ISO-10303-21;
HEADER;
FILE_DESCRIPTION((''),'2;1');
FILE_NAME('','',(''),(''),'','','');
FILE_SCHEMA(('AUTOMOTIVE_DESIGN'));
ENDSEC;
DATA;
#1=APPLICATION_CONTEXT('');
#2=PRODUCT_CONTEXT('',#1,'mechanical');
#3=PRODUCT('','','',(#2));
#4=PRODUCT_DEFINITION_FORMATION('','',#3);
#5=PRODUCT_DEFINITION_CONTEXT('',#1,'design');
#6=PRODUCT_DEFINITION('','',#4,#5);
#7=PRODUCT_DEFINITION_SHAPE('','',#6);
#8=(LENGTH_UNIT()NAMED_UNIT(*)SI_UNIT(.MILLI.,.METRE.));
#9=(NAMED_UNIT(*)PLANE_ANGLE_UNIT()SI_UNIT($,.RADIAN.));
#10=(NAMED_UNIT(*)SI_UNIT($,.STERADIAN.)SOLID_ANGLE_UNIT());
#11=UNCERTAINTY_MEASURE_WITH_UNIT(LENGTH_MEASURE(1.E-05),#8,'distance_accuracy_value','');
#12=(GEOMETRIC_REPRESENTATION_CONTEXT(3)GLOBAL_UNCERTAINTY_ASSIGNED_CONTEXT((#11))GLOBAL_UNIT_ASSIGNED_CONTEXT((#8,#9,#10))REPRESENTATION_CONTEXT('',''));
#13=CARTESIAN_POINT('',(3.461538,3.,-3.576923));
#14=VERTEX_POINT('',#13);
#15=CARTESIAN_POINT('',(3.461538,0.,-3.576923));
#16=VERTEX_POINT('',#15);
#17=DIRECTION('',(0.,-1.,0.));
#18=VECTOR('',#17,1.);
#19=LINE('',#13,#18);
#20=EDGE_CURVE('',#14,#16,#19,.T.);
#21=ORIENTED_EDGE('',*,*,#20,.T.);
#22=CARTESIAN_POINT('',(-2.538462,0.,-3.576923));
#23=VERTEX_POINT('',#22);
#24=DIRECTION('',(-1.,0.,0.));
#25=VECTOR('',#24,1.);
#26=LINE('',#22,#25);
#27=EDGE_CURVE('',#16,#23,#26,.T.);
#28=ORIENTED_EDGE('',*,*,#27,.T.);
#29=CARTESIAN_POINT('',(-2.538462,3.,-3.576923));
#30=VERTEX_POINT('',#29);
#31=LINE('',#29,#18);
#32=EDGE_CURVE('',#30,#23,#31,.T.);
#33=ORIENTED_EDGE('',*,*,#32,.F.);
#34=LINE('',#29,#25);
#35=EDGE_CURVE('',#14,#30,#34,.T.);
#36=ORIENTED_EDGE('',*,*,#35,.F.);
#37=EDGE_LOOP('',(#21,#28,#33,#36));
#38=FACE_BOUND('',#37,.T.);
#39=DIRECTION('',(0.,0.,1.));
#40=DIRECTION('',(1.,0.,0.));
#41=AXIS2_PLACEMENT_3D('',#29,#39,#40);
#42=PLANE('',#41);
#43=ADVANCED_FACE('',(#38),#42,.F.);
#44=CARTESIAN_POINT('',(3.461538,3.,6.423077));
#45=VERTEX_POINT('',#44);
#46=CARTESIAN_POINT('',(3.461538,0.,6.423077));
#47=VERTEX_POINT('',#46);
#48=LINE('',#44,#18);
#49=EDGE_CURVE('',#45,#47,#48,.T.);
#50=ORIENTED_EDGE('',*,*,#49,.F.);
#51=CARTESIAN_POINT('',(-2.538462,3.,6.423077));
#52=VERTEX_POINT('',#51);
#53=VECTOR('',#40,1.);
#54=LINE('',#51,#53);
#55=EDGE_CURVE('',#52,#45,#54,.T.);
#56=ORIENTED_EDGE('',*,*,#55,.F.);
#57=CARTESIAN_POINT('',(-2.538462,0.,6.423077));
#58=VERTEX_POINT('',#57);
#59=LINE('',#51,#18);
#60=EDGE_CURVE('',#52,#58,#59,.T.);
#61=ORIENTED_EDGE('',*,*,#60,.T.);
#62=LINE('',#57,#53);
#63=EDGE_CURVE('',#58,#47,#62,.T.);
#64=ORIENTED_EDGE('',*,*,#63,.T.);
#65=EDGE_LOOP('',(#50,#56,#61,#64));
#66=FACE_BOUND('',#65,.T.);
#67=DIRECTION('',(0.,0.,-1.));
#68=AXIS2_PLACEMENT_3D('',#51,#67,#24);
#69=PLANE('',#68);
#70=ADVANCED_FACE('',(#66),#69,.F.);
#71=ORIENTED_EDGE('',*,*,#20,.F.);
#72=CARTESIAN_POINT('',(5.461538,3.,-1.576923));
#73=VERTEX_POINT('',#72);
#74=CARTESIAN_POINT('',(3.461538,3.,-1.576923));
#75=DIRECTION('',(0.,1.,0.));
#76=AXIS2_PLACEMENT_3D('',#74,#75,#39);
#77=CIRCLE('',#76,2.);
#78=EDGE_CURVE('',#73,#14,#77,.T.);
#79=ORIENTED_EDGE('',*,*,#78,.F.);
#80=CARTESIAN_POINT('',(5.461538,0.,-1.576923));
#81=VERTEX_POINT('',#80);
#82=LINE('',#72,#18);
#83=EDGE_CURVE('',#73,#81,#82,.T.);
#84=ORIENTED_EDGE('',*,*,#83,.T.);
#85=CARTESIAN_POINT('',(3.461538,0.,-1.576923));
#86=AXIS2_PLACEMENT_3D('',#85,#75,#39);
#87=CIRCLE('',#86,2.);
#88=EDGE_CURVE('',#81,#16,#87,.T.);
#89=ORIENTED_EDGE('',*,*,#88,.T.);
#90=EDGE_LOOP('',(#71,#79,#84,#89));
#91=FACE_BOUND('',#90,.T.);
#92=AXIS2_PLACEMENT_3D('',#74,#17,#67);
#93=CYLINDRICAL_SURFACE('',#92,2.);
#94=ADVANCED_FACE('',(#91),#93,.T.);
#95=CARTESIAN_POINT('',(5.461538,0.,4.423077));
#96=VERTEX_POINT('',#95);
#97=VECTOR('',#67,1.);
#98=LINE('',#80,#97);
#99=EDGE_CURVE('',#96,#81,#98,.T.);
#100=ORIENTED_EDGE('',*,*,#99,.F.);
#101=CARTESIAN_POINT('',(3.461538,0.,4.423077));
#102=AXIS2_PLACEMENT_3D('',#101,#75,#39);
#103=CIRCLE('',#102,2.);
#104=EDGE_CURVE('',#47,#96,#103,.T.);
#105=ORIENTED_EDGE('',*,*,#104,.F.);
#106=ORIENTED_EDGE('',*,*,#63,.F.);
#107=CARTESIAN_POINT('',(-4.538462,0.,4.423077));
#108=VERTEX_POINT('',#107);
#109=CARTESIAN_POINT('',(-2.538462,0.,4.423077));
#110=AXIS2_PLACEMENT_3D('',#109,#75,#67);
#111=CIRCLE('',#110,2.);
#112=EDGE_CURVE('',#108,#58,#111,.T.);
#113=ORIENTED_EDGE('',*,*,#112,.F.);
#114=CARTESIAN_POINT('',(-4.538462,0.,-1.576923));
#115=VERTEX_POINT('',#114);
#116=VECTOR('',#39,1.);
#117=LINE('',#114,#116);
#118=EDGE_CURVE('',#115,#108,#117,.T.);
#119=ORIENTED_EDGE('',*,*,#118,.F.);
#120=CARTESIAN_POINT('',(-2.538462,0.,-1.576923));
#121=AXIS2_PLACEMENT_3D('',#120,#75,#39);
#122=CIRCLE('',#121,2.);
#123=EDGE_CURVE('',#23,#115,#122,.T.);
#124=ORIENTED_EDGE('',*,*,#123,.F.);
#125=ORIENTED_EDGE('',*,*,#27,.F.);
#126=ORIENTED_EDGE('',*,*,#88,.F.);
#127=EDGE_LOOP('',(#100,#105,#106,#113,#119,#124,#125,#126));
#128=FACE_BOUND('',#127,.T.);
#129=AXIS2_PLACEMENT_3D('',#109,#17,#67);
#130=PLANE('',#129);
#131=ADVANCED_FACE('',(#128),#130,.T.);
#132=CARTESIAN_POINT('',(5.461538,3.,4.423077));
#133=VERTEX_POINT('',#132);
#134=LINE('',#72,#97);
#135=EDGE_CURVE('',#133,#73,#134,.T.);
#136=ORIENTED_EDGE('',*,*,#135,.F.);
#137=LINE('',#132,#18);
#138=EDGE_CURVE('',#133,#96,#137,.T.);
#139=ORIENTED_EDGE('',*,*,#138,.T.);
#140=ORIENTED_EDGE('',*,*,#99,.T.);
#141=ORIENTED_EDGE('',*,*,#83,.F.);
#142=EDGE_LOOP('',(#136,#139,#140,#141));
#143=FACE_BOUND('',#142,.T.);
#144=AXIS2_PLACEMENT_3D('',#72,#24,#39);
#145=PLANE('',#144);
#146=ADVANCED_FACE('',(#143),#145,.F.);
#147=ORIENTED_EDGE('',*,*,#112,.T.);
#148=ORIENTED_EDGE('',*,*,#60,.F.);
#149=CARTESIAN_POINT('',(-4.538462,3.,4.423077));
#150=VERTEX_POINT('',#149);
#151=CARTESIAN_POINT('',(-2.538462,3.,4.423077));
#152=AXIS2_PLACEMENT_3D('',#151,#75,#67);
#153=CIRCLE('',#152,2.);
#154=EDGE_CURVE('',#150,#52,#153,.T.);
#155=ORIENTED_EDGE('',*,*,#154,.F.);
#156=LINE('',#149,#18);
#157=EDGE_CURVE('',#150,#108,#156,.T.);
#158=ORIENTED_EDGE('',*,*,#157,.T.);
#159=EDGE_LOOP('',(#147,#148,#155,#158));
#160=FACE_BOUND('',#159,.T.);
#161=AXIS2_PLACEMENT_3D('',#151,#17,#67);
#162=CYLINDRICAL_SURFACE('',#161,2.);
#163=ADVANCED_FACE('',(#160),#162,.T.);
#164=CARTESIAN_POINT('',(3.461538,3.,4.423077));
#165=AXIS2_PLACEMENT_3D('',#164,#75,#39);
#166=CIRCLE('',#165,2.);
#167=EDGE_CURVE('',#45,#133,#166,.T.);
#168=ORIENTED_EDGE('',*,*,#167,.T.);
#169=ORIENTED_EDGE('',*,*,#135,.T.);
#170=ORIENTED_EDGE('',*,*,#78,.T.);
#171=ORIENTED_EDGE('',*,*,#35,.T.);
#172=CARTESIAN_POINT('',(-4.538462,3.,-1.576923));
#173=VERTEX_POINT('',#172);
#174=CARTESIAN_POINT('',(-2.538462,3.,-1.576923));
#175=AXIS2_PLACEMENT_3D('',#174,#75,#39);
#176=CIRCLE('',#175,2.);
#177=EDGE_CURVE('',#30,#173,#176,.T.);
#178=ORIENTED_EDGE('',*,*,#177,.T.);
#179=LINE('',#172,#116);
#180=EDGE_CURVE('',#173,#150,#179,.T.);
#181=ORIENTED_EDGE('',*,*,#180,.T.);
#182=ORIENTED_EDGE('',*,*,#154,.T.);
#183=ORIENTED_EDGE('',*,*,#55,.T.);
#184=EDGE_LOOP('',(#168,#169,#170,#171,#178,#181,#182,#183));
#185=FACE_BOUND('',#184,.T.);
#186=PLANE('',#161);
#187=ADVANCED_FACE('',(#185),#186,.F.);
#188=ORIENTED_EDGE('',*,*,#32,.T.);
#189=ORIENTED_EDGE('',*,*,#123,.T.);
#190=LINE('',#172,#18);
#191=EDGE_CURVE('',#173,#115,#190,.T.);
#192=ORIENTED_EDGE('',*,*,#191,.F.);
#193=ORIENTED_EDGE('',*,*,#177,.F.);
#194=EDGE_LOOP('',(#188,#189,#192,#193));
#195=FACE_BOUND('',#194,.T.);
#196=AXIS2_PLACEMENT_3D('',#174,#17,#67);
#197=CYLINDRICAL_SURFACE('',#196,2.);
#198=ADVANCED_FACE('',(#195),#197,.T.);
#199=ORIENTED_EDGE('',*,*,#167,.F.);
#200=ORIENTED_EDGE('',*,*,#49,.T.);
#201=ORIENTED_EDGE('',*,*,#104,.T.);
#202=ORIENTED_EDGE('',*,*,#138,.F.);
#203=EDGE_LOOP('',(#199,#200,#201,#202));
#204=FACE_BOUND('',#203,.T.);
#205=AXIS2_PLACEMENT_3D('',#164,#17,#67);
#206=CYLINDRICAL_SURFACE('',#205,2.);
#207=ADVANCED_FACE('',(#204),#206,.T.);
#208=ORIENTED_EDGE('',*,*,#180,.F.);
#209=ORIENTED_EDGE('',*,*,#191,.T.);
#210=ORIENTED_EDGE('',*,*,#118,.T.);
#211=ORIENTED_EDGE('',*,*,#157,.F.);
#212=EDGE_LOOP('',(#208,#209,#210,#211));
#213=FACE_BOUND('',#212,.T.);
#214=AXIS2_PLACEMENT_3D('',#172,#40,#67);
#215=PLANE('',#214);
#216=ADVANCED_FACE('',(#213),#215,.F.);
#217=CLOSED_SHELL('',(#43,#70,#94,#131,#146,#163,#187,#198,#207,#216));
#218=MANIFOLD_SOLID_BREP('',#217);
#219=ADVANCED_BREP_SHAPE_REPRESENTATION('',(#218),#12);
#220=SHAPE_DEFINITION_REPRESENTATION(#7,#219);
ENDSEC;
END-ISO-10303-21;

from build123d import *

# Parameters (mm, degrees)
BOSS_EXTRUDE1_DEPTH = 3


with BuildPart() as part:
    # Sketch1 → Boss-Extrude1 (new body)
    with BuildSketch(Plane(origin=(0, 0, 0), x_dir=(1, 0, 0), z_dir=(0, 1, 0))):
        with BuildLine():
            Line((-2.538461538, 3.576923077), (3.461538462, 3.576923077))
            ThreePointArc((3.461538462, 3.576923077), (4.875752024, 2.991136639), (5.461538462, 1.576923077))
            Line((5.461538462, 1.576923077), (5.461538462, -4.423076923))
            ThreePointArc((5.461538462, -4.423076923), (4.875752024, -5.837290485), (3.461538462, -6.423076923))
            Line((3.461538462, -6.423076923), (-2.538461538, -6.423076923))
            ThreePointArc((-2.538461538, -6.423076923), (-3.952675101, -5.837290485), (-4.538461538, -4.423076923))
            Line((-4.538461538, -4.423076923), (-4.538461538, 1.576923077))
            ThreePointArc((-4.538461538, 1.576923077), (-3.952675101, 2.991136639), (-2.538461538, 3.576923077))
        make_face()
    extrude(amount=BOSS_EXTRUDE1_DEPTH)


solid = part.part
